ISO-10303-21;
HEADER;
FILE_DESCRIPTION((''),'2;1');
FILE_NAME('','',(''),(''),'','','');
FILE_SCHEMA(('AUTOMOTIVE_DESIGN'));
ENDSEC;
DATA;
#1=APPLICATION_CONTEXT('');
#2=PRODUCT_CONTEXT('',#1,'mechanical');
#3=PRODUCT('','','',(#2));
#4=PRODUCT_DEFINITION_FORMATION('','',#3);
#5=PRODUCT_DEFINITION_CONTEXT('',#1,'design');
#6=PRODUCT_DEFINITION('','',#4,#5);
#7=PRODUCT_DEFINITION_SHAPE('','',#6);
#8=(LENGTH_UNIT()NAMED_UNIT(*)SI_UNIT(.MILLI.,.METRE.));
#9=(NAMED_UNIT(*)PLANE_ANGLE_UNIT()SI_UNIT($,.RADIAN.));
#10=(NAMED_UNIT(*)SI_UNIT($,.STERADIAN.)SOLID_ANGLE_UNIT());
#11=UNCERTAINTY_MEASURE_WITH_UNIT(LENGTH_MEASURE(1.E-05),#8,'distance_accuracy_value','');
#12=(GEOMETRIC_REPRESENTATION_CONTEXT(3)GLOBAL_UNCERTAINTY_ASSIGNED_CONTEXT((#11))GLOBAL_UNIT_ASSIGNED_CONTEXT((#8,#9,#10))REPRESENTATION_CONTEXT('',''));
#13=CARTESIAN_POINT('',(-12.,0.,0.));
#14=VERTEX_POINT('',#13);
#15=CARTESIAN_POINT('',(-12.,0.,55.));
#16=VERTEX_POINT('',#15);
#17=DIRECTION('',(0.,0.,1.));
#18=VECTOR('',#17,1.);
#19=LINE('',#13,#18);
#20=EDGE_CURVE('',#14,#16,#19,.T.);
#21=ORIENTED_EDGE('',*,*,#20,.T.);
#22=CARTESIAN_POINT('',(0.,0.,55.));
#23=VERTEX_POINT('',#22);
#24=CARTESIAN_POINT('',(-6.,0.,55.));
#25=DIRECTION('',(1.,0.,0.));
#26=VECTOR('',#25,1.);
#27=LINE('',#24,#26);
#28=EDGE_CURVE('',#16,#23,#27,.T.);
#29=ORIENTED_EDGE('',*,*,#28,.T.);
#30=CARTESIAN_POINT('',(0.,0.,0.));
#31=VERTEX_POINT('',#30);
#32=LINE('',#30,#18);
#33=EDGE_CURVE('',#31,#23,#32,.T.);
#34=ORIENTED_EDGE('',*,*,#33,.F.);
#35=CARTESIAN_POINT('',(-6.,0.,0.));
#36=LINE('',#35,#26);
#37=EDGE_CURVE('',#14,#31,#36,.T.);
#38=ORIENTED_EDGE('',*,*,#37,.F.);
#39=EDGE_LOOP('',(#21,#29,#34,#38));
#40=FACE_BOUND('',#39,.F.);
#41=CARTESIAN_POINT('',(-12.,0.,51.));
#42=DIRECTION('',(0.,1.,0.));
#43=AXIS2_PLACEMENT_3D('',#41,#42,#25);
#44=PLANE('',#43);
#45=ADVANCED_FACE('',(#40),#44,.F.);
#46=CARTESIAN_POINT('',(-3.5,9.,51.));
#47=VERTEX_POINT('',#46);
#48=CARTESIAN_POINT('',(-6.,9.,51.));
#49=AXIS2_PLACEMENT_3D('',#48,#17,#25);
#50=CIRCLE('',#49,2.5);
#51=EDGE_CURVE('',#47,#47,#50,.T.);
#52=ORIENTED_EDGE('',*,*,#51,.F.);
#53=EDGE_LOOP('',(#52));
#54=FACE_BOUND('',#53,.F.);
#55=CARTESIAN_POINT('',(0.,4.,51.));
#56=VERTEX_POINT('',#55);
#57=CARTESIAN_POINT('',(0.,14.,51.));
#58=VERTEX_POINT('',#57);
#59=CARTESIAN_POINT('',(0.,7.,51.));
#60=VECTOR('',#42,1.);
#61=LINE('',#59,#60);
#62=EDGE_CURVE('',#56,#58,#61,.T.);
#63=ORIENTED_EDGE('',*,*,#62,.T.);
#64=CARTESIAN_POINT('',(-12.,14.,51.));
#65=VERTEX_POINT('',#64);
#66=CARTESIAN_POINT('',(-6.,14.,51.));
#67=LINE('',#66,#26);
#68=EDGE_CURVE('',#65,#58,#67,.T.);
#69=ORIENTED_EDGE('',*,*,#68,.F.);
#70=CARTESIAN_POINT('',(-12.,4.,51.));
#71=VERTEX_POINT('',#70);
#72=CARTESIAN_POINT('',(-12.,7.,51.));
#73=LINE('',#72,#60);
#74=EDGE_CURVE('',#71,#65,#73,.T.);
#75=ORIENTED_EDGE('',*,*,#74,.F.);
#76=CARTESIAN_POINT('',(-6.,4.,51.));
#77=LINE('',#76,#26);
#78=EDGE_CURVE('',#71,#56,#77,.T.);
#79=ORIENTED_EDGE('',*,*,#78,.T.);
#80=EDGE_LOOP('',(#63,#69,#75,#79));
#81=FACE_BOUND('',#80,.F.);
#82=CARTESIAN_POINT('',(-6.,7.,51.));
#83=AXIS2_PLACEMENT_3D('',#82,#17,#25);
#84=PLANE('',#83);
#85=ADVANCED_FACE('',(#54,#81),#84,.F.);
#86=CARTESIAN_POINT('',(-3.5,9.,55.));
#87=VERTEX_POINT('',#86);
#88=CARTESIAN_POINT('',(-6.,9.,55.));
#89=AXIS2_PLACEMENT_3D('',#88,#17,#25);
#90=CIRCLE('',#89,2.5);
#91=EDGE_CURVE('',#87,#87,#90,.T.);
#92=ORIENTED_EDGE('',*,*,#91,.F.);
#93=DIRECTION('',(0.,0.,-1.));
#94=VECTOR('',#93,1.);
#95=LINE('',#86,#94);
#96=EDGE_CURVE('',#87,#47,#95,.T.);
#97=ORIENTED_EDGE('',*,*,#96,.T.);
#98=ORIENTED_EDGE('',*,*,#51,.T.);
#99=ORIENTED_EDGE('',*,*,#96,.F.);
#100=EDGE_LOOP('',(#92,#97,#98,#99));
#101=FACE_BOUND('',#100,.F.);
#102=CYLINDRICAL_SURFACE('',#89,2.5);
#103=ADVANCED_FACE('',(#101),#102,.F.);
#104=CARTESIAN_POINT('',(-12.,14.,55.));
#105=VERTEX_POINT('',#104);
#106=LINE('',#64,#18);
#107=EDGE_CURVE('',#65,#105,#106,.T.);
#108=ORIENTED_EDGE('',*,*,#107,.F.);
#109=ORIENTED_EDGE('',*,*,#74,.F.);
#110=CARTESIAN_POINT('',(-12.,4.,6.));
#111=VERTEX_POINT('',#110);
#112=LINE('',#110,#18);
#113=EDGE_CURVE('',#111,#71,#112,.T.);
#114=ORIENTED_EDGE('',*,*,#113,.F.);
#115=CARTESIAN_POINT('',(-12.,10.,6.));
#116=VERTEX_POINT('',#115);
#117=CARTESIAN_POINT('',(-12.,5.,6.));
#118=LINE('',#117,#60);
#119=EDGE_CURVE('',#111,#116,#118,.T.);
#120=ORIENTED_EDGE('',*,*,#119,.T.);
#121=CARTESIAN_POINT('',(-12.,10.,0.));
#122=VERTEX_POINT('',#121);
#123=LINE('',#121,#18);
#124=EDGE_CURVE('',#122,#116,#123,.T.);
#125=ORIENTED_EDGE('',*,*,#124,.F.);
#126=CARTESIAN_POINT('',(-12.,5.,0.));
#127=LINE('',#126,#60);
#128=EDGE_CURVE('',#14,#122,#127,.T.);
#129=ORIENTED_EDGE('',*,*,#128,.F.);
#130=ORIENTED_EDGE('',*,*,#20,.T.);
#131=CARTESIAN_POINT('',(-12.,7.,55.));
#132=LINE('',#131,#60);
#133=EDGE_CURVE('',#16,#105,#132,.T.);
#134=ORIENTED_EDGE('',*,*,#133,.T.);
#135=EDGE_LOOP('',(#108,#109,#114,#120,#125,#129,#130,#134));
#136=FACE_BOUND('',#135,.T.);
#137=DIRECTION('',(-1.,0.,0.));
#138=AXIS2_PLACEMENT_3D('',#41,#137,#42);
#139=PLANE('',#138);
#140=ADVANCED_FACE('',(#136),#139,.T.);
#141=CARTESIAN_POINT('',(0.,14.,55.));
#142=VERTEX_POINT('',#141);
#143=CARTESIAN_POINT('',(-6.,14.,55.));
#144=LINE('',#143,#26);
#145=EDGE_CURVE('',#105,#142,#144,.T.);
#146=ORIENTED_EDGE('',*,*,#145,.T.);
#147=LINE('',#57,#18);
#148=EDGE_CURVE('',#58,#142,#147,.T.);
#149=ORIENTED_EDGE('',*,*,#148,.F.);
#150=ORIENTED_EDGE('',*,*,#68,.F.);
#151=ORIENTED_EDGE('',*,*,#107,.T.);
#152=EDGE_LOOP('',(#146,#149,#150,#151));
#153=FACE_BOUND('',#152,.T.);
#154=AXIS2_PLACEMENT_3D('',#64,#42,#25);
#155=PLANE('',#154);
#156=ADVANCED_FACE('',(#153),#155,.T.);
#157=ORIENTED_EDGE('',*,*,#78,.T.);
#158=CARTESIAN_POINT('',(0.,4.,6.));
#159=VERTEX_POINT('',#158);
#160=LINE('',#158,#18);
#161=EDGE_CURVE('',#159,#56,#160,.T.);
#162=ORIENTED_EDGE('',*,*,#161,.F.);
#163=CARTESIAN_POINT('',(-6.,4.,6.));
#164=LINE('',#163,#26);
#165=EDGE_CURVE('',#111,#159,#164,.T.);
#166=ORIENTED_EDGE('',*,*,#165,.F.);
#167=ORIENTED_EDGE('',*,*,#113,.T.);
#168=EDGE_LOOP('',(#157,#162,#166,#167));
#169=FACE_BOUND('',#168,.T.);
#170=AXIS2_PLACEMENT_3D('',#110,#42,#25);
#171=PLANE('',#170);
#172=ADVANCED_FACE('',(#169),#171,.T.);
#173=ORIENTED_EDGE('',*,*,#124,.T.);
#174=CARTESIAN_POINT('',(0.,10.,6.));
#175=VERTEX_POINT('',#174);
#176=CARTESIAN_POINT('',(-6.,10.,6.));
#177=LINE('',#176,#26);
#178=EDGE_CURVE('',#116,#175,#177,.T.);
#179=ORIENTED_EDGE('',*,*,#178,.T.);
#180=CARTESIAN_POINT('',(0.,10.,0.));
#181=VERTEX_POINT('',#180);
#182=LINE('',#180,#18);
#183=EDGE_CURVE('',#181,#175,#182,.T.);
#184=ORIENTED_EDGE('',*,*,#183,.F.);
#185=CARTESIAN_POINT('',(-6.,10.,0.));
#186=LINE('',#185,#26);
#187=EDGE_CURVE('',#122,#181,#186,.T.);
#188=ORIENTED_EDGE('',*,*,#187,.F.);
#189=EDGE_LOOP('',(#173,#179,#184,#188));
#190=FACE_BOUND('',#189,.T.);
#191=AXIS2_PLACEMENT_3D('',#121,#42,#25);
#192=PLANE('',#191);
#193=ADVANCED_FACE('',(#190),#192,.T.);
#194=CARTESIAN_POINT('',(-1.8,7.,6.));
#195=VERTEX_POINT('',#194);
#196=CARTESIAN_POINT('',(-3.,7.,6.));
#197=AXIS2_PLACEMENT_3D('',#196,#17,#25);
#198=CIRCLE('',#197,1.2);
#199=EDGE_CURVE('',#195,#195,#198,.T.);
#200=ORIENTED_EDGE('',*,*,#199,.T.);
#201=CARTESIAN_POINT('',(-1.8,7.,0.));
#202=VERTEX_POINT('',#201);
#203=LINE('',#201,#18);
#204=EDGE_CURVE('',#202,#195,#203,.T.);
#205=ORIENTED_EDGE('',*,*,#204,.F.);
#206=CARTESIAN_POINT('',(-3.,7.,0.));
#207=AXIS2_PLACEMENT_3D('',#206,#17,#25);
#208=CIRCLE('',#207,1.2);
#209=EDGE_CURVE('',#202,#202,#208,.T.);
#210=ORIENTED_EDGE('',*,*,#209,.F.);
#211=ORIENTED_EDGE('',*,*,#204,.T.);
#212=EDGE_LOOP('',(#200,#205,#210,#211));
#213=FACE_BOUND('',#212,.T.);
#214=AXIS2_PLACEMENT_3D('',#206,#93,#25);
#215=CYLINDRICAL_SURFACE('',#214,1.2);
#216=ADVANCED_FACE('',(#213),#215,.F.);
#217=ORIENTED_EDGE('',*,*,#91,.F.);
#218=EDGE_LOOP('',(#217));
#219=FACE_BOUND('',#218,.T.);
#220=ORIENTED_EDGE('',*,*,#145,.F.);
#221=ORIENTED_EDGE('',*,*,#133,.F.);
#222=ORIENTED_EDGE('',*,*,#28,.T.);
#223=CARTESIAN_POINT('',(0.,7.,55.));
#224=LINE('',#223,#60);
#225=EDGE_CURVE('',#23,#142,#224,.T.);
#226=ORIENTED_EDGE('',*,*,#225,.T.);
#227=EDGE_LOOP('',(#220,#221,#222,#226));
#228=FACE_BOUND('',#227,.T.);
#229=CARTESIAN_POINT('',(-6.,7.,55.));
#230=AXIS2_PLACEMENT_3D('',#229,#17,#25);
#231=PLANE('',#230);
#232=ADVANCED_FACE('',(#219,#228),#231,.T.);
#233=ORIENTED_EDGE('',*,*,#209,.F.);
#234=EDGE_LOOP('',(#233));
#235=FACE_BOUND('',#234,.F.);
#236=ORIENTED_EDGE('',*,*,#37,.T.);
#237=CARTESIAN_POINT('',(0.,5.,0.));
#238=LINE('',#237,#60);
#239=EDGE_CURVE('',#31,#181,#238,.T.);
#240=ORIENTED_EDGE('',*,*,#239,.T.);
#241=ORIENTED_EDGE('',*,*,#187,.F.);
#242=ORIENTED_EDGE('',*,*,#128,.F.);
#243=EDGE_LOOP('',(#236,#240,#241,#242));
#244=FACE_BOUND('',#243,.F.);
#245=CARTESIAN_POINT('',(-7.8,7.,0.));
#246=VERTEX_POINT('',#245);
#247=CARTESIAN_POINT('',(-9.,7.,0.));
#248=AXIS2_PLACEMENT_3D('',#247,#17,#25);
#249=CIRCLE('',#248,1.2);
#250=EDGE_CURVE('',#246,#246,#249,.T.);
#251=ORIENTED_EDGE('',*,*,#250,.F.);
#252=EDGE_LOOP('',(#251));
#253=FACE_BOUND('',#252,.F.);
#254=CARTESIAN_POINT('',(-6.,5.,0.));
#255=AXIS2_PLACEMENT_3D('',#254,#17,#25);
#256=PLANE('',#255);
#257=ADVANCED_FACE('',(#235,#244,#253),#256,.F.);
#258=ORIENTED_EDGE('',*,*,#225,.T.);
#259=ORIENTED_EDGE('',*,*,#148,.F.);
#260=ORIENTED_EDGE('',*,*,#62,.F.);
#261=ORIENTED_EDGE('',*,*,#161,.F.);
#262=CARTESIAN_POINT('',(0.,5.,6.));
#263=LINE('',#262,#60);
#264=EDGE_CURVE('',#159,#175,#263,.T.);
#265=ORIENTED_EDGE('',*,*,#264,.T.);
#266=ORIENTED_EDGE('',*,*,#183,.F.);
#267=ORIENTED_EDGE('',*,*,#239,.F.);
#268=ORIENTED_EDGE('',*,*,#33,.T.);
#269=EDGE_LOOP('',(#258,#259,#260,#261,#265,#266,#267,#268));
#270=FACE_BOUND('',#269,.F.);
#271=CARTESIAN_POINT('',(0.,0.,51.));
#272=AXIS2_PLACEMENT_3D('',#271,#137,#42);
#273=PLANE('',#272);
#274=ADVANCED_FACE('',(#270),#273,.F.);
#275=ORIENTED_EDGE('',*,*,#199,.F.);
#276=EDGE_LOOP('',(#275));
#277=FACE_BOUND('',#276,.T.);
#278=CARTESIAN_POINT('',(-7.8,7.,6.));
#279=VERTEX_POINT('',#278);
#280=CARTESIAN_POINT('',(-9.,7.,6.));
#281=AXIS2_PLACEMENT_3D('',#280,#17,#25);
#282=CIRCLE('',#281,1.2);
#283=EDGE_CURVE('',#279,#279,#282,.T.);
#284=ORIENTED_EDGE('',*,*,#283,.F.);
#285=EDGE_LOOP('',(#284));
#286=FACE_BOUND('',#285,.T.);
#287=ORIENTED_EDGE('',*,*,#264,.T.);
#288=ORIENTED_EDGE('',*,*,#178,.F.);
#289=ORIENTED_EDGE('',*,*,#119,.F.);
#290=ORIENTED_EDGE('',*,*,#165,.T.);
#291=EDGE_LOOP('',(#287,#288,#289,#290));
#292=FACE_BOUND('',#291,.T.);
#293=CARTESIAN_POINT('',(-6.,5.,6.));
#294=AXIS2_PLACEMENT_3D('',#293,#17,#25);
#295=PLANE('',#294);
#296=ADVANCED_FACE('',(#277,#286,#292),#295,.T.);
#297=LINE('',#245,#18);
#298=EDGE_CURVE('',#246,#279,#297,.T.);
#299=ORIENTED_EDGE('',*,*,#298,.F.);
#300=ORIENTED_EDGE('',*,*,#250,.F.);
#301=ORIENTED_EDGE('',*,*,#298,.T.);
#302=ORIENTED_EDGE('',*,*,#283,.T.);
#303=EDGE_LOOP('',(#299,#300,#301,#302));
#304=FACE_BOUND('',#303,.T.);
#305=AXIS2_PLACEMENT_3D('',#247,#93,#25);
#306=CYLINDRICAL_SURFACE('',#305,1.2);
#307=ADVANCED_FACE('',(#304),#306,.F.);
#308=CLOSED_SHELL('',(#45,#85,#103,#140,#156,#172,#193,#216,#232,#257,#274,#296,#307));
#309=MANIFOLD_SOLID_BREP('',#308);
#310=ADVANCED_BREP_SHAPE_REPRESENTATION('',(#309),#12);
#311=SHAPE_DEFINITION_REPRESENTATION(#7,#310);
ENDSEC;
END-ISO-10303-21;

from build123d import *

# Parameters (mm, degrees)
SKETCH_W     = 12
SKETCH_H     = 10
SKETCH_R     = 1.2
PAD_DEPTH    = 6
SKETCH001_W  = 12
SKETCH001_H  = 4
PAD001_DEPTH = 45
SKETCH002_W  = 12
SKETCH002_H  = 14
PAD002_DEPTH = 4
SKETCH005_R  = 2.5
POCKET_DEPTH = 5


with BuildPart() as part:
    # Sketch → Pad (new body)
    with BuildSketch(Plane.XY):
        with Locations((-6, 5)):
            Rectangle(SKETCH_W, SKETCH_H)
        with Locations((-9, 7)):
            Circle(SKETCH_R, mode=Mode.SUBTRACT)
        with Locations((-3, 7)):
            Circle(SKETCH_R, mode=Mode.SUBTRACT)
    extrude(amount=PAD_DEPTH)

    # Sketch001 (on Face8 of Pad) → Pad001 (join)
    with BuildSketch(Plane.XY.offset(6)):
        with Locations((-6, 2)):
            Rectangle(SKETCH001_W, SKETCH001_H)
    extrude(amount=PAD001_DEPTH)

    # Sketch002 (on Face13 of Pad001) → Pad002 (join)
    with BuildSketch(Plane.XY.offset(51)):
        with Locations((-6, 7)):
            Rectangle(SKETCH002_W, SKETCH002_H)
    extrude(amount=PAD002_DEPTH)

    # Sketch005 (on Face18 of Pad002) → Pocket (cut)
    with BuildSketch(Plane.XY.offset(55)):
        with Locations((-6, 9)):
            Circle(SKETCH005_R)
    extrude(amount=-POCKET_DEPTH, mode=Mode.SUBTRACT)


solid = part.part
